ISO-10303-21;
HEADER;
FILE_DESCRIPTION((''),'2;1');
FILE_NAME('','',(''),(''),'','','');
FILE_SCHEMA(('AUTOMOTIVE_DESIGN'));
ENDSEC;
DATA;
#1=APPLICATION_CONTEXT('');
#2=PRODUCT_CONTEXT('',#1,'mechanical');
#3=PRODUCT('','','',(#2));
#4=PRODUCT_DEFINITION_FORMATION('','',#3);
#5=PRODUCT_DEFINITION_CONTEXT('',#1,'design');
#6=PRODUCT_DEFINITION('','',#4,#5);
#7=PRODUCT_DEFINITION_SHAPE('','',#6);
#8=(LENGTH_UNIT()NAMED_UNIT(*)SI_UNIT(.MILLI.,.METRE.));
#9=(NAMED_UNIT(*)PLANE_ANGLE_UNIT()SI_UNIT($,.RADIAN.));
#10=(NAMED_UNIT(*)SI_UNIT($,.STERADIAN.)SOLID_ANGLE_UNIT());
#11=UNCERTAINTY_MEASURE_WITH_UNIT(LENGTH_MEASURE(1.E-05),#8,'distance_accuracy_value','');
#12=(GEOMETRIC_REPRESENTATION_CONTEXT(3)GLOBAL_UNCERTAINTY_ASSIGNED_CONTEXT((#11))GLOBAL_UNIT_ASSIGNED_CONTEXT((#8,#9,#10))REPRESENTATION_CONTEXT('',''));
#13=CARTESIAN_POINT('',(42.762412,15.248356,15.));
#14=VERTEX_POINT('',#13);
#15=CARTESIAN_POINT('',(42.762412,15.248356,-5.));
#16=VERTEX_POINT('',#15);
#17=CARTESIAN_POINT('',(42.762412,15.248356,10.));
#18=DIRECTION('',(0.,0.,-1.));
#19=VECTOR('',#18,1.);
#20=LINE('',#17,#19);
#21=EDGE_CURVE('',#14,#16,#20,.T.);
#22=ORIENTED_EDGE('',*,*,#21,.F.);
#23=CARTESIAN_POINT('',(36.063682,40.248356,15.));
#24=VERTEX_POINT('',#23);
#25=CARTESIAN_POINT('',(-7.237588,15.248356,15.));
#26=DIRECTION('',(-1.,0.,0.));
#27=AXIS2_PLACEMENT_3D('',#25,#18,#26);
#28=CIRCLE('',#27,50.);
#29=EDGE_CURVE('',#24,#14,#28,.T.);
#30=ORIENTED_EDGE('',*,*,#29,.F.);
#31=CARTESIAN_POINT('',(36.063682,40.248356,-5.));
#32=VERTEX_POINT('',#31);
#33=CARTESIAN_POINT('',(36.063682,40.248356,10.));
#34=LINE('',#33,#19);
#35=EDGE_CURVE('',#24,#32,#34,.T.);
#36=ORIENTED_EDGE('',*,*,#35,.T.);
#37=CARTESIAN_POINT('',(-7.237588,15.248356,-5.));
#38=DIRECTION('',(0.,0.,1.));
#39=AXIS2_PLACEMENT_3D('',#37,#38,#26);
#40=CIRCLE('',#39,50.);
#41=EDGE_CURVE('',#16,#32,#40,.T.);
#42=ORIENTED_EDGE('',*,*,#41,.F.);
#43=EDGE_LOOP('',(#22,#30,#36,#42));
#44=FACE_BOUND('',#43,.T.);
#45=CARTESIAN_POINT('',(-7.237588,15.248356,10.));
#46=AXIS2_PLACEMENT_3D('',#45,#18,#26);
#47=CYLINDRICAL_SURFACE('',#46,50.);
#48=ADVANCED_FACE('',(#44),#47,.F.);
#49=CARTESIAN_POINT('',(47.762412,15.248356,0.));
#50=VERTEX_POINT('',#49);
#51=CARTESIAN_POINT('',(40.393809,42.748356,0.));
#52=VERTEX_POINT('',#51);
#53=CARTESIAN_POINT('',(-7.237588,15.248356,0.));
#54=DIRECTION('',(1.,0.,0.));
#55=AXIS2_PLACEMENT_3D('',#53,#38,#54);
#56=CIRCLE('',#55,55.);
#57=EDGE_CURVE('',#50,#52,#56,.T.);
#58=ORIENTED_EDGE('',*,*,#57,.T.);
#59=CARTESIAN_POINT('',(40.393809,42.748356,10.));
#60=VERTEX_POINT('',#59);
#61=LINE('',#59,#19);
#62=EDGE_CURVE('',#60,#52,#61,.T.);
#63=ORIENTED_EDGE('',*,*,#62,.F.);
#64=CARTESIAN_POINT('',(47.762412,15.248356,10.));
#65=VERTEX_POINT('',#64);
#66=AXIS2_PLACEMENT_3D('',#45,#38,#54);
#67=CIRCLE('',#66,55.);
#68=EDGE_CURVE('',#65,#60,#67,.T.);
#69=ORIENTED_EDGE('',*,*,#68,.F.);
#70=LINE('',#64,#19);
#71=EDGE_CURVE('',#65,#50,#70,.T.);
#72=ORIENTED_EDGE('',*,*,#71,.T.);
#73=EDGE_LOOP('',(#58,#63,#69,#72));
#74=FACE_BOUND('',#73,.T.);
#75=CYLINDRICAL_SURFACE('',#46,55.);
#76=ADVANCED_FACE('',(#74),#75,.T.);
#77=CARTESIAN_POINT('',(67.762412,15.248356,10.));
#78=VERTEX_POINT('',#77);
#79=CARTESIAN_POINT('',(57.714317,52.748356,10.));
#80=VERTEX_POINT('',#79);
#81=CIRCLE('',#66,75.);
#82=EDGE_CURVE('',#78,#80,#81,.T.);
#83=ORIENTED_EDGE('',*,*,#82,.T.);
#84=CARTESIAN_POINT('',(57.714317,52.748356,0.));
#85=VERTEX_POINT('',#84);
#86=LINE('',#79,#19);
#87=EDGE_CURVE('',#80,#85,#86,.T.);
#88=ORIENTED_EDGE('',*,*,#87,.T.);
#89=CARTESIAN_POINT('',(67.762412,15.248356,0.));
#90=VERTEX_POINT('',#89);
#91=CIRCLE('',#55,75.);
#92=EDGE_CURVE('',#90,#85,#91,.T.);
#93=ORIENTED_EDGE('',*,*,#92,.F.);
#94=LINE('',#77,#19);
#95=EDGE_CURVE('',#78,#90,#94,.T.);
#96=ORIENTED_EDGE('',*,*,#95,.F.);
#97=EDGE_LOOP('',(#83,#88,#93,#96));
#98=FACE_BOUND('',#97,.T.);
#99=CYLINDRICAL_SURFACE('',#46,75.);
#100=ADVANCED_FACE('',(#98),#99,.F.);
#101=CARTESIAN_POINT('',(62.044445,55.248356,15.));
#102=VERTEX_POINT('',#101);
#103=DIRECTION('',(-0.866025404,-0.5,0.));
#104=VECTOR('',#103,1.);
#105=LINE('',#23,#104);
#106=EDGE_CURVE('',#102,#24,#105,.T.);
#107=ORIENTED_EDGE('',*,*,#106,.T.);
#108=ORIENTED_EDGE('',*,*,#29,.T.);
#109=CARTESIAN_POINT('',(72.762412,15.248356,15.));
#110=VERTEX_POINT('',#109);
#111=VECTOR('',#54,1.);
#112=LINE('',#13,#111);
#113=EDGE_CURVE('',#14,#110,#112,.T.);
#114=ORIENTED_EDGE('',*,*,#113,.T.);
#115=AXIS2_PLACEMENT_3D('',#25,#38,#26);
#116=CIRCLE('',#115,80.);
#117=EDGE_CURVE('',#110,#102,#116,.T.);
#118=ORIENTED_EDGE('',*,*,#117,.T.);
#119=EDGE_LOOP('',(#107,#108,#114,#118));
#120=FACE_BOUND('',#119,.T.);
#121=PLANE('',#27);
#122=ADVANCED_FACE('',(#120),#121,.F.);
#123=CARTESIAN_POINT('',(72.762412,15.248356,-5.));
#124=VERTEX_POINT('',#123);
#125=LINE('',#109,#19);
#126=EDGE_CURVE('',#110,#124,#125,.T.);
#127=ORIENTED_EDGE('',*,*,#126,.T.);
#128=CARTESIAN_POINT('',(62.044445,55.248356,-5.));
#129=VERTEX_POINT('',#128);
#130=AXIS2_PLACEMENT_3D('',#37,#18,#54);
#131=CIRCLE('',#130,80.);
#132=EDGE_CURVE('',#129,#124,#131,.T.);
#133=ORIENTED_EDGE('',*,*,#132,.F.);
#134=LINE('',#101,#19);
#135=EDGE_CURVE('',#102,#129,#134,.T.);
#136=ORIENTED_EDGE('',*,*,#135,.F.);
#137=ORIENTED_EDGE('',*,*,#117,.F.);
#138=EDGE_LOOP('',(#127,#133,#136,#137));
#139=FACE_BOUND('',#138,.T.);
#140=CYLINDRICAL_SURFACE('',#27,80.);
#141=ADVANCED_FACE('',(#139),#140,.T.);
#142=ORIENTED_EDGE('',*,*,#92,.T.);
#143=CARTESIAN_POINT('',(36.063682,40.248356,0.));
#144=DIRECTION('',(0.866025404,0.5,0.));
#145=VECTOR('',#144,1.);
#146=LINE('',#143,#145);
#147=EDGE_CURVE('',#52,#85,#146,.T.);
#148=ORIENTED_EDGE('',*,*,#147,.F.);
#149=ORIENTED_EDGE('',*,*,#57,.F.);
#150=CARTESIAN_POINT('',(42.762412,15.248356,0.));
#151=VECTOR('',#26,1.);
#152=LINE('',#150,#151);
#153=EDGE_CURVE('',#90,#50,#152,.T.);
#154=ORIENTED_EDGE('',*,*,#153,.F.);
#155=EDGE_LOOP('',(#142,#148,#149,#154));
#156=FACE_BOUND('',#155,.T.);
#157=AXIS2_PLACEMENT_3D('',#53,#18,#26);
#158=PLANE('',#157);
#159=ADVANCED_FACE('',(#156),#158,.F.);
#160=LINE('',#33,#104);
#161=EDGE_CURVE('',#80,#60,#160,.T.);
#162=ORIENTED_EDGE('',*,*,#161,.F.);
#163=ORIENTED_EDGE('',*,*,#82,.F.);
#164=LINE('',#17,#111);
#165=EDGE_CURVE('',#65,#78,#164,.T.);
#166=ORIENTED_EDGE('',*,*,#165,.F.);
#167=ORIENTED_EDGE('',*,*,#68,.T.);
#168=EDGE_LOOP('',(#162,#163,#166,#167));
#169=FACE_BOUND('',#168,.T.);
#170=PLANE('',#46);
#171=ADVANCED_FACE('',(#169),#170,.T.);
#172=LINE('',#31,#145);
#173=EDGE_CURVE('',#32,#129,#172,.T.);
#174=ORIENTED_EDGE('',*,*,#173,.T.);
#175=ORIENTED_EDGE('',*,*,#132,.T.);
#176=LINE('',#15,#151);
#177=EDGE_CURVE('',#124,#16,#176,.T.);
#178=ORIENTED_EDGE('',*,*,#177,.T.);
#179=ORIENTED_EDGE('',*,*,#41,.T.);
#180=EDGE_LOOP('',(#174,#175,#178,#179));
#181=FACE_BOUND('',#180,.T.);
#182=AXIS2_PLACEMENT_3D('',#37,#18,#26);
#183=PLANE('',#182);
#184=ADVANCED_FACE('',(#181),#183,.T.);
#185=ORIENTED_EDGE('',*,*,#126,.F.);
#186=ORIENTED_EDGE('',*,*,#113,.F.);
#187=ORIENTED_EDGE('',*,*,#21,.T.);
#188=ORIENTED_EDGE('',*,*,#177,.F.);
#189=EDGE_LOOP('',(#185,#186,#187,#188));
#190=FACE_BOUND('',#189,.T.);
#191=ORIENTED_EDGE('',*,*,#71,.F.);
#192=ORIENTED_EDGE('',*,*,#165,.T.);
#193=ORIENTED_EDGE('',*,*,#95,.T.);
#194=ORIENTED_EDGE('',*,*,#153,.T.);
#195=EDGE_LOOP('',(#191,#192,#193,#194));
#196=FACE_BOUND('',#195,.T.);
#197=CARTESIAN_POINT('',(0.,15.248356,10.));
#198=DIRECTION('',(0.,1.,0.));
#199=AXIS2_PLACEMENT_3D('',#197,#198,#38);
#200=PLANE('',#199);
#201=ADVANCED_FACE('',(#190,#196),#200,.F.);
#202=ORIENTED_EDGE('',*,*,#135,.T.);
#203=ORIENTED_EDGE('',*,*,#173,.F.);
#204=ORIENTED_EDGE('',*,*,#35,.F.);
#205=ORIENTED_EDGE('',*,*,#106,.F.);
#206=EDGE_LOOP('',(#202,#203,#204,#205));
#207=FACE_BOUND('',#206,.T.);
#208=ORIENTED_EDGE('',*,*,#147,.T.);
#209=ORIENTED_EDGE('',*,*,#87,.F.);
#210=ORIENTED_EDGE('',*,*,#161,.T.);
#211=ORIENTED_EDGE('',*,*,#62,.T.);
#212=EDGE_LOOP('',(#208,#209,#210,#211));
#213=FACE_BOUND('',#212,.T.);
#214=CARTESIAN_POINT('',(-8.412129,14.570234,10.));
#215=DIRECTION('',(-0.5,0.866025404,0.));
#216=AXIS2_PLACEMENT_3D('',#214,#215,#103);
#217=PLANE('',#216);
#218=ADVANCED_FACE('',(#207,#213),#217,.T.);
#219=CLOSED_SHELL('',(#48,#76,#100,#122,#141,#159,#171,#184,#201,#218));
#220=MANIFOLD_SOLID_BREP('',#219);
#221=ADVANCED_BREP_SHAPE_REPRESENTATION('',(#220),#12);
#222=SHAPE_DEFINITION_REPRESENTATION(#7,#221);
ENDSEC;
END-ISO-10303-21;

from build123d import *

# Parameters (mm, degrees)
BOSS_EXTRUDE1_DEPTH   = 10
BOSS_EXTRUDE1_2_DEPTH = 10
BOSS_EXTRUDE2_DEPTH   = 5
BOSS_EXTRUDE3_DEPTH   = 5


with BuildPart() as part:
    # Sketch1 → Boss-Extrude1 (new body)
    with BuildSketch(Plane.XY):
        with BuildLine():
            ThreePointArc((36.063682392, 40.248355648), (41.058703517, 28.189307903), (42.762412203, 15.248355648))
            Line((42.762412203, 15.248355648), (47.762412203, 15.248355648))
            ThreePointArc((47.762412203, 15.248355648), (45.888332649, 29.483403128), (40.393809411, 42.748355648))
            Line((40.393809411, 42.748355648), (36.063682392, 40.248355648))
        make_face()
    extrude(amount=BOSS_EXTRUDE1_DEPTH)



with BuildPart() as body_2:
    # Sketch1 → Boss-Extrude1 2 (new body)
    with BuildSketch(Plane.XY):
        with BuildLine():
            ThreePointArc((57.714317487, 52.748355648), (65.206849175, 34.65978403), (67.762412203, 15.248355648))
            Line((67.762412203, 15.248355648), (72.762412203, 15.248355648))
            ThreePointArc((72.762412203, 15.248355648), (70.036478306, 35.953879256), (62.044444506, 55.248355648))
            Line((62.044444506, 55.248355648), (57.714317487, 52.748355648))
        make_face()
    extrude(amount=BOSS_EXTRUDE1_2_DEPTH)


with BuildPart() as part_1:
    add(part.part)

    add(body_2.part)  # Boss-Extrude2 merges body 2
    # Sketch2 → Boss-Extrude2 (add)
    with BuildSketch(Plane.XY.offset(10)):
        with BuildLine():
            Line((36.063682392, 40.248355648), (62.044444506, 55.248355648))
            ThreePointArc((62.044444506, 55.248355648), (70.036478306, 35.953879256), (72.762412203, 15.248355648))
            Line((72.762412203, 15.248355648), (42.762412203, 15.248355648))
            ThreePointArc((42.762412203, 15.248355648), (41.058703517, 28.189307903), (36.063682392, 40.248355648))
        make_face()
    extrude(amount=BOSS_EXTRUDE2_DEPTH)

    # Sketch3 → Boss-Extrude3 (add)
    with BuildSketch(Plane(origin=(0, 0, 0), x_dir=(-1, 0, 0), z_dir=(0, 0, -1))):
        with BuildLine():
            Line((-36.063682392, 40.248355648), (-62.044444506, 55.248355648))
            ThreePointArc((-62.044444506, 55.248355648), (-70.036478306, 35.953879256), (-72.762412203, 15.248355648))
            Line((-72.762412203, 15.248355648), (-42.762412203, 15.248355648))
            ThreePointArc((-42.762412203, 15.248355648), (-41.058703517, 28.189307903), (-36.063682392, 40.248355648))
        make_face()
    extrude(amount=BOSS_EXTRUDE3_DEPTH)


solid = part_1.part
